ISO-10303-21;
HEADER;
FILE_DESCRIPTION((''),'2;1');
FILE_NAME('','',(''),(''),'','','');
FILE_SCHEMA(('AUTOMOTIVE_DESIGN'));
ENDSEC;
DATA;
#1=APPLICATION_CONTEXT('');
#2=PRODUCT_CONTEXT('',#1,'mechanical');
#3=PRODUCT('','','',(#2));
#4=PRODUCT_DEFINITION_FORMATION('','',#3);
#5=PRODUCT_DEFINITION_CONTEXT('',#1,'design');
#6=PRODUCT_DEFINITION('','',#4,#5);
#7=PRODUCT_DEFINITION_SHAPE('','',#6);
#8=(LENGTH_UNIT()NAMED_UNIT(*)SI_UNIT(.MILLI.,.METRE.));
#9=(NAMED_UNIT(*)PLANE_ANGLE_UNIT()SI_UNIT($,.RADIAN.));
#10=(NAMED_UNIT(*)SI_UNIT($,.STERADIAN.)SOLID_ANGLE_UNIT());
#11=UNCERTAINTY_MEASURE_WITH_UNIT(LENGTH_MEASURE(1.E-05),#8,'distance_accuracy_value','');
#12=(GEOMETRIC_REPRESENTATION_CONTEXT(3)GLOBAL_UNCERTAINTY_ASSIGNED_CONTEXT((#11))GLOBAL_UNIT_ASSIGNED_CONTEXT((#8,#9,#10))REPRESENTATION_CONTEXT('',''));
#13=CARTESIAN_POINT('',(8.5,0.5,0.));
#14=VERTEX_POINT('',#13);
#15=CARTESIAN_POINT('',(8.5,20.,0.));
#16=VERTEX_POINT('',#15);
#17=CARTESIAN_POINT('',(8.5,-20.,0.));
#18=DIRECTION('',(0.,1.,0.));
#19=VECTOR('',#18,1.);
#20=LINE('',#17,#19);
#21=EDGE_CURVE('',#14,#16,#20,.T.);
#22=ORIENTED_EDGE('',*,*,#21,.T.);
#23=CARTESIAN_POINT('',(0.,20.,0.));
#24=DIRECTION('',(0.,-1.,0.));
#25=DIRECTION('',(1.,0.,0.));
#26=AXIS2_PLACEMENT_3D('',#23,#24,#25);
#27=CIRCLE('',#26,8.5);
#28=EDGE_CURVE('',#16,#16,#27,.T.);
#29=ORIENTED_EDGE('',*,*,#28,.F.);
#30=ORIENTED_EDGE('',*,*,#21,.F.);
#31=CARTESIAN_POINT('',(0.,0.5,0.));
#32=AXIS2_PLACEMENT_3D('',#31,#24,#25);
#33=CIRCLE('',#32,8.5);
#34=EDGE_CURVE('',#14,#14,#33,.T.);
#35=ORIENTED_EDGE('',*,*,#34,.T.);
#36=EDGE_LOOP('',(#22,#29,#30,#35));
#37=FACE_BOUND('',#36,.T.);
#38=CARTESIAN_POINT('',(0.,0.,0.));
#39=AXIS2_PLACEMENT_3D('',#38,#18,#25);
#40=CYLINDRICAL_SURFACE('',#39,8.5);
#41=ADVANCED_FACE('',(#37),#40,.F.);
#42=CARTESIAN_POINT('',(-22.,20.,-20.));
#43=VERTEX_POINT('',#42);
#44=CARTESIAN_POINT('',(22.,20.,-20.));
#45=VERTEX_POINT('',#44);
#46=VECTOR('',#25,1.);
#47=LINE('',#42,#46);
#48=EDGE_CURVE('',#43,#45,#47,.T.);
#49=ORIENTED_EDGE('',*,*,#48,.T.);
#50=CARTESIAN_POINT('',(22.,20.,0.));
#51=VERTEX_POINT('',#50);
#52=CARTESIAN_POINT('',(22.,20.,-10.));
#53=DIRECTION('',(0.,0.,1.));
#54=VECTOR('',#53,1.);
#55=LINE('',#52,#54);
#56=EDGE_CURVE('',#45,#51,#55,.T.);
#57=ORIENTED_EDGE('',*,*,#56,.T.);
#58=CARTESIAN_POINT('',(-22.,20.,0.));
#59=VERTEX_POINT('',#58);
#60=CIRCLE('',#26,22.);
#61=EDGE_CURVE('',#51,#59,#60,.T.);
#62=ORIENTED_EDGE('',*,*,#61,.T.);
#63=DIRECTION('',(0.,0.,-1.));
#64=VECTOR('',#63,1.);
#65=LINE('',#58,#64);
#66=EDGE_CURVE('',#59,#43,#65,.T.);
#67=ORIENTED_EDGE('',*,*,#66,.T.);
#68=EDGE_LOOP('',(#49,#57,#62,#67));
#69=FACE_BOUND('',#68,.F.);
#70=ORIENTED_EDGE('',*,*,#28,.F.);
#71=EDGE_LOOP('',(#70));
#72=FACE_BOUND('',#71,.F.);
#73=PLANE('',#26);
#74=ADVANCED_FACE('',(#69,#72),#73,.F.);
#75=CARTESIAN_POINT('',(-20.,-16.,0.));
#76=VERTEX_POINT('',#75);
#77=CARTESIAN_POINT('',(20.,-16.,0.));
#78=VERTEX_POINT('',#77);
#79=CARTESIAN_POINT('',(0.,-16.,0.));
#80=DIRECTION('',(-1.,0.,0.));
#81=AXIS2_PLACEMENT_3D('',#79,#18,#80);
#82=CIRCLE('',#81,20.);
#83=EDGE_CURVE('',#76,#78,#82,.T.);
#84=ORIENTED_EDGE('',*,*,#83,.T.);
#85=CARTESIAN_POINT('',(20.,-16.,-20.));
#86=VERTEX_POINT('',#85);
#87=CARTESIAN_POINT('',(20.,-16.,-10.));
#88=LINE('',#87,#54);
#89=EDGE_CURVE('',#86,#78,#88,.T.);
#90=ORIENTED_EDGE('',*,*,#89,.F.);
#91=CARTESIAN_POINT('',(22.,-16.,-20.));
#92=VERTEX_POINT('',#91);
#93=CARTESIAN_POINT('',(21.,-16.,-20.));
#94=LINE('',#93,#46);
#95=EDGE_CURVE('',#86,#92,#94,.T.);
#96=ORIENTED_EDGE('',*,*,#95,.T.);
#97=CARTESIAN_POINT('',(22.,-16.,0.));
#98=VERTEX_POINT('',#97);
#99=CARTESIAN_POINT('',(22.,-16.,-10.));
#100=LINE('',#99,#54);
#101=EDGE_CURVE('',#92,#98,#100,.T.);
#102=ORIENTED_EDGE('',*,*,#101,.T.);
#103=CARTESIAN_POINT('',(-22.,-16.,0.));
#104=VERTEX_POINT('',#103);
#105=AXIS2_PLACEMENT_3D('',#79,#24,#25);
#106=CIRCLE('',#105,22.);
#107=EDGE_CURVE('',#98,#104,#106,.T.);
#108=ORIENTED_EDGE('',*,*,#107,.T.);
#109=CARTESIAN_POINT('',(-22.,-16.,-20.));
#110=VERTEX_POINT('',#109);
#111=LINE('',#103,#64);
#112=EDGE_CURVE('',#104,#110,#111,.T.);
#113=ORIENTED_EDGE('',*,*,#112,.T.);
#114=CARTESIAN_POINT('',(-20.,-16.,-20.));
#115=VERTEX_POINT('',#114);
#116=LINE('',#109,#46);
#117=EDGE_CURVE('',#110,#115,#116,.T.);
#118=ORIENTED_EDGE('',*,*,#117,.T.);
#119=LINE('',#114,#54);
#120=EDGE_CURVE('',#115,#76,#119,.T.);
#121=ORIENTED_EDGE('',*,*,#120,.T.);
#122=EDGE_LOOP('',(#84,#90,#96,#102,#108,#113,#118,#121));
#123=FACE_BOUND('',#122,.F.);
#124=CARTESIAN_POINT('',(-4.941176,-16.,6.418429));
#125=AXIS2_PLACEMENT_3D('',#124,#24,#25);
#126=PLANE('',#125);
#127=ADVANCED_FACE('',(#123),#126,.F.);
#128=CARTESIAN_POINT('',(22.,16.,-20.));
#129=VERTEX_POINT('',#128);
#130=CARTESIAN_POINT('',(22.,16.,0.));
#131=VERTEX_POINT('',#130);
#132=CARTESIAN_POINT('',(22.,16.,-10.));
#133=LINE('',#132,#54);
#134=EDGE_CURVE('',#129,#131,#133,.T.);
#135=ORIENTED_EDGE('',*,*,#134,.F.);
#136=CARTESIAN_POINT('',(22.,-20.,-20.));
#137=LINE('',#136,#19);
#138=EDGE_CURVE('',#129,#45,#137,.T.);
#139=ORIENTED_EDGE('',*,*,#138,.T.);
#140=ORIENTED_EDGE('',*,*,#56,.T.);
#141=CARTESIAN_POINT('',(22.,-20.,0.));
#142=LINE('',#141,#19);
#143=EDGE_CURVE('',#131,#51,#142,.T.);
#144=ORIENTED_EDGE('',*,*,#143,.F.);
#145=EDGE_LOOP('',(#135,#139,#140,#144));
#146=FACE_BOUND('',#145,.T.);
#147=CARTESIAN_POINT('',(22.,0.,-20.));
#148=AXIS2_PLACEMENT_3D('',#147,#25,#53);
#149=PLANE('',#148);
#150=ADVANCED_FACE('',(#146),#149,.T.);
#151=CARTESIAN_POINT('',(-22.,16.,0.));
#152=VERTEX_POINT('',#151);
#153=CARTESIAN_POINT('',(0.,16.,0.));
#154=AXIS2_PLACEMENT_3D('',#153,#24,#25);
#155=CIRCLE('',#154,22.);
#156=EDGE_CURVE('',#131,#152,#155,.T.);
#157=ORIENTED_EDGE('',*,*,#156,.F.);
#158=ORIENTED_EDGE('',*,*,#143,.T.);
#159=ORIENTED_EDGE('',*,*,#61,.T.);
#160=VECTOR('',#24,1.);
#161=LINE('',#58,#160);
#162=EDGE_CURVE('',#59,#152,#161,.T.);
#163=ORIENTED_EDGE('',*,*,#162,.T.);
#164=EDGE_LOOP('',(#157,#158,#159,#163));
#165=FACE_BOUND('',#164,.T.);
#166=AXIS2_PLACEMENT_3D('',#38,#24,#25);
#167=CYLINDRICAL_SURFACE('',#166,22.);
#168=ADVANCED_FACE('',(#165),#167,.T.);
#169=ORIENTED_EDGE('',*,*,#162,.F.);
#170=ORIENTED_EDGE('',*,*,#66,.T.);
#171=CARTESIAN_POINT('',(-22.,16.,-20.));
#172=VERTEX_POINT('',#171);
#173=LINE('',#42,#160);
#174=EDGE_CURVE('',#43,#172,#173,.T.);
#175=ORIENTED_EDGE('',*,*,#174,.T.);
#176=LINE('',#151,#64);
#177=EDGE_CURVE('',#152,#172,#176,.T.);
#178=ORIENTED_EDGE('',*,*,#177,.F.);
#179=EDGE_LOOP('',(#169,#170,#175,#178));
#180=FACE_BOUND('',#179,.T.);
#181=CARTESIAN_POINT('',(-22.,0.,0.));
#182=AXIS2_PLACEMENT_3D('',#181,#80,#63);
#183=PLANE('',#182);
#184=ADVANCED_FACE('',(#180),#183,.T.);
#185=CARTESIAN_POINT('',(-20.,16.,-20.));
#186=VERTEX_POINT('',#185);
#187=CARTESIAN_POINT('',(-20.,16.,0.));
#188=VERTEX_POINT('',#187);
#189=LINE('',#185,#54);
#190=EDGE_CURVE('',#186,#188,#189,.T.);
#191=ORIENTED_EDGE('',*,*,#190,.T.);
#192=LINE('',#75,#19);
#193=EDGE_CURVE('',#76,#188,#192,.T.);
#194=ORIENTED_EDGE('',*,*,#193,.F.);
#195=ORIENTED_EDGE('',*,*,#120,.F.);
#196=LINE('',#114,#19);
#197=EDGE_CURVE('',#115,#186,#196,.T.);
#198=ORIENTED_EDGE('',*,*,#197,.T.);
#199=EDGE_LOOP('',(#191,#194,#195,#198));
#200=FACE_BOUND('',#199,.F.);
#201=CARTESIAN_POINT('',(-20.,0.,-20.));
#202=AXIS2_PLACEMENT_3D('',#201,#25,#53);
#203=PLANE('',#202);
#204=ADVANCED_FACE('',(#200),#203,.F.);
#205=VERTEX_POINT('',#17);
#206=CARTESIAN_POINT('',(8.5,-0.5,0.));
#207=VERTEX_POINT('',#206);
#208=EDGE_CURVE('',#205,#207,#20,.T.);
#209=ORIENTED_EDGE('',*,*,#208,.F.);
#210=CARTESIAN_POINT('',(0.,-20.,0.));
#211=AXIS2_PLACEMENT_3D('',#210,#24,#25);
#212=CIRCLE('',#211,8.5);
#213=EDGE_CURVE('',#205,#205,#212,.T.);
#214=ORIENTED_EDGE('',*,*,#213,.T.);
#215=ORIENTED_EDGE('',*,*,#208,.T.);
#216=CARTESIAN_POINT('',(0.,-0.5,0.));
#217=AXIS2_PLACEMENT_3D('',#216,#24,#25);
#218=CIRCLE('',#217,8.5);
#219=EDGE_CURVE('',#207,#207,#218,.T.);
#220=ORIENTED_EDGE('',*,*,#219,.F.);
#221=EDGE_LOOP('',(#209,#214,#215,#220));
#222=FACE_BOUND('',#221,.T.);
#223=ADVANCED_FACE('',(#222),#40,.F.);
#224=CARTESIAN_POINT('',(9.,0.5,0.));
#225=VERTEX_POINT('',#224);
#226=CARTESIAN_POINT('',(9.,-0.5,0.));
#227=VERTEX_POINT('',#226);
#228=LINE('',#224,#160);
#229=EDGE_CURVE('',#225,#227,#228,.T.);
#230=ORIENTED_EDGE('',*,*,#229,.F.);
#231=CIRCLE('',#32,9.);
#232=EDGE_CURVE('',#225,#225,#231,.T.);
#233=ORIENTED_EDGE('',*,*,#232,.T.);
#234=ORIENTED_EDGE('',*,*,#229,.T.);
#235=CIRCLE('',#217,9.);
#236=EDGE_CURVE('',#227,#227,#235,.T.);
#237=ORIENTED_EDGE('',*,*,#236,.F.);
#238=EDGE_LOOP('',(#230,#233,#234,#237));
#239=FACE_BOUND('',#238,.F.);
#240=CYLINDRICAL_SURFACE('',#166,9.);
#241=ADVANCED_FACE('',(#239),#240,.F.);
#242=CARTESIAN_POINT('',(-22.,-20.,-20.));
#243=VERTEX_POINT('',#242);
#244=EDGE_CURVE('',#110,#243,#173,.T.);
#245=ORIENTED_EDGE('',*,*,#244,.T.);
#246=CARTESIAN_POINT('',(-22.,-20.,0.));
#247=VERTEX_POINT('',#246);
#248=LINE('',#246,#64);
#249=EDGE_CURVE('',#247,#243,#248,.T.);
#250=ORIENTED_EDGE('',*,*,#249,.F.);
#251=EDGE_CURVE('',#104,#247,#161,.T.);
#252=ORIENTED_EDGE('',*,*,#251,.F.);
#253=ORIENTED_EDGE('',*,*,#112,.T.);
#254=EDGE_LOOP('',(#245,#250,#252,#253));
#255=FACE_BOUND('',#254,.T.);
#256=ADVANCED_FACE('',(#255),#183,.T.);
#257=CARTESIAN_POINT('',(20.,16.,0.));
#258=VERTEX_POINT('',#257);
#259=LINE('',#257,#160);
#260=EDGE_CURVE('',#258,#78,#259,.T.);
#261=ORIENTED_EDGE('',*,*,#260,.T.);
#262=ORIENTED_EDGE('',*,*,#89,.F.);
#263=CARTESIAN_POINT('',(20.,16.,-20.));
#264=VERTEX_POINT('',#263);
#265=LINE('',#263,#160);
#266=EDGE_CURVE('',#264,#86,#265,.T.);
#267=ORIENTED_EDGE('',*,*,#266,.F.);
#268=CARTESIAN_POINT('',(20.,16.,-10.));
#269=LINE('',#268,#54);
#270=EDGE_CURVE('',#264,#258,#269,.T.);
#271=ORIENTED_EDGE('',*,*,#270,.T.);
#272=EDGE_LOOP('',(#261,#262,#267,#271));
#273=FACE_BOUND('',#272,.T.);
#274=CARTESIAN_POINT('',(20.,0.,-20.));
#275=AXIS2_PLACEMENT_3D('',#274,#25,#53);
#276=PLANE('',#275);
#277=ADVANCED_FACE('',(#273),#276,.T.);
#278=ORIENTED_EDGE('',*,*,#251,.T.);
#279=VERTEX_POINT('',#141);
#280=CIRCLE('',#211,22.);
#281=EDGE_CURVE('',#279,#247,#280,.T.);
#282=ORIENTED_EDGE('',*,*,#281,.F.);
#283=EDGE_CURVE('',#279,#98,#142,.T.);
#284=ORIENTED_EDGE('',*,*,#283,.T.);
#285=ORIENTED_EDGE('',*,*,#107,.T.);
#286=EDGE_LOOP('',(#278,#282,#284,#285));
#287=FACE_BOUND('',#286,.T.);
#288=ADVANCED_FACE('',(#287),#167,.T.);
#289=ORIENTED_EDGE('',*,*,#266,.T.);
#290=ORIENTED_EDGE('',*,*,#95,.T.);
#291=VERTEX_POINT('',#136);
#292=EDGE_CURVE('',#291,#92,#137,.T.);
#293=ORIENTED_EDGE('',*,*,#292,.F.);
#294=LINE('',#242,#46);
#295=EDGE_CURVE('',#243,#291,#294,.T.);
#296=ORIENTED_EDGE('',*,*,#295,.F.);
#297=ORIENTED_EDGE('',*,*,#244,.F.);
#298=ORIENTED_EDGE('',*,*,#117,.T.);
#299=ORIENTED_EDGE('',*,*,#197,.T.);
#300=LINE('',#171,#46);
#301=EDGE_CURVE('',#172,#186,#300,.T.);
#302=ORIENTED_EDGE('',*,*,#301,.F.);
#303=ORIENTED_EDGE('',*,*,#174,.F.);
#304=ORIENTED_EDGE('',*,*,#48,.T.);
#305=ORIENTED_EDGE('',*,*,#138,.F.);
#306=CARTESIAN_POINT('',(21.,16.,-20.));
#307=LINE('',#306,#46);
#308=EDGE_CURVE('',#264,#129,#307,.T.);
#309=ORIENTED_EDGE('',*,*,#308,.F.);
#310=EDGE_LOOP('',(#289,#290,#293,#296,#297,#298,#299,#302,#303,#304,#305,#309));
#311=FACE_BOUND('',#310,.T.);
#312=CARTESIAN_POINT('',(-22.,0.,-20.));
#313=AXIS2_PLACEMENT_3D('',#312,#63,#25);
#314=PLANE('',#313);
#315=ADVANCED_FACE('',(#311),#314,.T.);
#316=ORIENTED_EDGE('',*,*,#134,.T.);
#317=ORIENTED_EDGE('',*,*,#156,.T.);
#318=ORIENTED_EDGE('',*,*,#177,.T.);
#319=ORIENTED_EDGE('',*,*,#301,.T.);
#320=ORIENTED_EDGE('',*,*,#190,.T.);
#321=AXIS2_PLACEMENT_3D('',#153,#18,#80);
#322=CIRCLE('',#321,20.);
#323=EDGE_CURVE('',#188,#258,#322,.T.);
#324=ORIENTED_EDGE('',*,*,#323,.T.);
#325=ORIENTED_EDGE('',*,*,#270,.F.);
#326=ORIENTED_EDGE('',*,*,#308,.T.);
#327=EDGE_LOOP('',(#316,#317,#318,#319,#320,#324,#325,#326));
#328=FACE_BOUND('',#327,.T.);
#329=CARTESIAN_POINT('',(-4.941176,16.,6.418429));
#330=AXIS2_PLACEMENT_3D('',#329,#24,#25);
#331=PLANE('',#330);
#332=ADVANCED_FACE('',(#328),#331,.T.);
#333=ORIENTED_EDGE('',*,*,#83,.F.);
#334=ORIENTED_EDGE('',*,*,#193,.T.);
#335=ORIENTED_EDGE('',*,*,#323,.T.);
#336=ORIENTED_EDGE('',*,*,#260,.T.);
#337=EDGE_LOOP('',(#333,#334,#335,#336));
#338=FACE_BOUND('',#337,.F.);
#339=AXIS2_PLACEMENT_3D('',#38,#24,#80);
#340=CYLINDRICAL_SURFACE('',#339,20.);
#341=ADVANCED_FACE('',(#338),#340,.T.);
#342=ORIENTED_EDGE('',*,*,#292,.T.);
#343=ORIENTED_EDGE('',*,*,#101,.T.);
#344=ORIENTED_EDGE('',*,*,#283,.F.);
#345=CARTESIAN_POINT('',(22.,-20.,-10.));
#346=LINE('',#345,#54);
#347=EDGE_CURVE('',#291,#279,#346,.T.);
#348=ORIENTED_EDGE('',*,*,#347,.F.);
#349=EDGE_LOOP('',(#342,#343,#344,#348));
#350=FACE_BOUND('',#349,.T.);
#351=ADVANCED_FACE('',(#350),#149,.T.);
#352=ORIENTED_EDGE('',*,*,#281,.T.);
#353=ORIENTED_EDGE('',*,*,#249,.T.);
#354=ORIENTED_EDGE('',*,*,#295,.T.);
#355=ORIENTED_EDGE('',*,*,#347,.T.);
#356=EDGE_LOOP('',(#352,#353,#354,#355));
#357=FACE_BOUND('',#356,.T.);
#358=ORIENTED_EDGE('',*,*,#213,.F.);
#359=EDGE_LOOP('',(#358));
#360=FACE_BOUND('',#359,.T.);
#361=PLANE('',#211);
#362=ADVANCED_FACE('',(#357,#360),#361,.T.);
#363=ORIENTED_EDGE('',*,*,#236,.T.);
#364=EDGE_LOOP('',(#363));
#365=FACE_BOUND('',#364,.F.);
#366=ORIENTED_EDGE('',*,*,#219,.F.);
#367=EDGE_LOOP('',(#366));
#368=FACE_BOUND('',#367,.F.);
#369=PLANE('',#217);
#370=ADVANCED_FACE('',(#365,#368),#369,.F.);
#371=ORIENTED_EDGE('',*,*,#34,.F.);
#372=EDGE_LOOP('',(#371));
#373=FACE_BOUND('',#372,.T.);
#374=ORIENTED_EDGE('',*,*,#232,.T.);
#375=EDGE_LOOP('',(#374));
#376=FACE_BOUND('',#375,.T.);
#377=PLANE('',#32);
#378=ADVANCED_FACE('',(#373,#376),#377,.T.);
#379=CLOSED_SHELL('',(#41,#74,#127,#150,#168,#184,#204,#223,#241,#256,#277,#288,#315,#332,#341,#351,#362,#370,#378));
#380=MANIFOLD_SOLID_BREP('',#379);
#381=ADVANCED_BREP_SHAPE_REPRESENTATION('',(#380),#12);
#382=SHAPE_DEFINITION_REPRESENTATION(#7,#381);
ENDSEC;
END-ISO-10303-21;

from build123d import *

# Parameters (mm, degrees)
F0_R     = 9
F0_R_2   = 8.5
F0_W     = 2
F0_H     = 20
F1_DEPTH = 20
F2_DEPTH = 0.5
F3_DEPTH = 16


with BuildPart() as f1:
    # F0 (on Front) → F1 (new body, symmetric)
    with BuildSketch(Plane.XZ):
        with BuildLine():
            Line((20, -20), (20, 0))
            ThreePointArc((20, 0), (0, 20), (-20, 0))
            Line((-20, 0), (-20, -20))
            Line((-20, -20), (20, -20))
        make_face()
        Circle(F0_R, mode=Mode.SUBTRACT)
        with BuildLine():
            ThreePointArc((-20, 0), (0, 20), (20, 0))
            Line((20, 0), (22, 0))
            ThreePointArc((22, 0), (0, 22), (-22, 0))
            Line((-22, 0), (-22, -20))
            Line((-22, -20), (-20, -20))
            Line((-20, -20), (-20, 0))
        make_face()
        with Locations((21, -10)):
            Rectangle(F0_W, F0_H)
        Circle(F0_R)
        Circle(F0_R_2, mode=Mode.SUBTRACT)
    extrude(amount=F1_DEPTH, both=True)

    # F0 (on Front) → F2 (cut, symmetric)
    with BuildSketch(Plane.XZ):
        Circle(F0_R)
        Circle(F0_R_2, mode=Mode.SUBTRACT)
    extrude(amount=F2_DEPTH, both=True, mode=Mode.SUBTRACT)

    # F0 (on Front) → F3 (cut, symmetric)
    with BuildSketch(Plane.XZ):
        with BuildLine():
            ThreePointArc((-20, 0), (0, 20), (20, 0))
            Line((20, 0), (22, 0))
            ThreePointArc((22, 0), (0, 22), (-22, 0))
            Line((-22, 0), (-22, -20))
            Line((-22, -20), (-20, -20))
            Line((-20, -20), (-20, 0))
        make_face()
        with Locations((21, -10)):
            Rectangle(F0_W, F0_H)
    extrude(amount=F3_DEPTH, both=True, mode=Mode.SUBTRACT)


solid = f1.part
